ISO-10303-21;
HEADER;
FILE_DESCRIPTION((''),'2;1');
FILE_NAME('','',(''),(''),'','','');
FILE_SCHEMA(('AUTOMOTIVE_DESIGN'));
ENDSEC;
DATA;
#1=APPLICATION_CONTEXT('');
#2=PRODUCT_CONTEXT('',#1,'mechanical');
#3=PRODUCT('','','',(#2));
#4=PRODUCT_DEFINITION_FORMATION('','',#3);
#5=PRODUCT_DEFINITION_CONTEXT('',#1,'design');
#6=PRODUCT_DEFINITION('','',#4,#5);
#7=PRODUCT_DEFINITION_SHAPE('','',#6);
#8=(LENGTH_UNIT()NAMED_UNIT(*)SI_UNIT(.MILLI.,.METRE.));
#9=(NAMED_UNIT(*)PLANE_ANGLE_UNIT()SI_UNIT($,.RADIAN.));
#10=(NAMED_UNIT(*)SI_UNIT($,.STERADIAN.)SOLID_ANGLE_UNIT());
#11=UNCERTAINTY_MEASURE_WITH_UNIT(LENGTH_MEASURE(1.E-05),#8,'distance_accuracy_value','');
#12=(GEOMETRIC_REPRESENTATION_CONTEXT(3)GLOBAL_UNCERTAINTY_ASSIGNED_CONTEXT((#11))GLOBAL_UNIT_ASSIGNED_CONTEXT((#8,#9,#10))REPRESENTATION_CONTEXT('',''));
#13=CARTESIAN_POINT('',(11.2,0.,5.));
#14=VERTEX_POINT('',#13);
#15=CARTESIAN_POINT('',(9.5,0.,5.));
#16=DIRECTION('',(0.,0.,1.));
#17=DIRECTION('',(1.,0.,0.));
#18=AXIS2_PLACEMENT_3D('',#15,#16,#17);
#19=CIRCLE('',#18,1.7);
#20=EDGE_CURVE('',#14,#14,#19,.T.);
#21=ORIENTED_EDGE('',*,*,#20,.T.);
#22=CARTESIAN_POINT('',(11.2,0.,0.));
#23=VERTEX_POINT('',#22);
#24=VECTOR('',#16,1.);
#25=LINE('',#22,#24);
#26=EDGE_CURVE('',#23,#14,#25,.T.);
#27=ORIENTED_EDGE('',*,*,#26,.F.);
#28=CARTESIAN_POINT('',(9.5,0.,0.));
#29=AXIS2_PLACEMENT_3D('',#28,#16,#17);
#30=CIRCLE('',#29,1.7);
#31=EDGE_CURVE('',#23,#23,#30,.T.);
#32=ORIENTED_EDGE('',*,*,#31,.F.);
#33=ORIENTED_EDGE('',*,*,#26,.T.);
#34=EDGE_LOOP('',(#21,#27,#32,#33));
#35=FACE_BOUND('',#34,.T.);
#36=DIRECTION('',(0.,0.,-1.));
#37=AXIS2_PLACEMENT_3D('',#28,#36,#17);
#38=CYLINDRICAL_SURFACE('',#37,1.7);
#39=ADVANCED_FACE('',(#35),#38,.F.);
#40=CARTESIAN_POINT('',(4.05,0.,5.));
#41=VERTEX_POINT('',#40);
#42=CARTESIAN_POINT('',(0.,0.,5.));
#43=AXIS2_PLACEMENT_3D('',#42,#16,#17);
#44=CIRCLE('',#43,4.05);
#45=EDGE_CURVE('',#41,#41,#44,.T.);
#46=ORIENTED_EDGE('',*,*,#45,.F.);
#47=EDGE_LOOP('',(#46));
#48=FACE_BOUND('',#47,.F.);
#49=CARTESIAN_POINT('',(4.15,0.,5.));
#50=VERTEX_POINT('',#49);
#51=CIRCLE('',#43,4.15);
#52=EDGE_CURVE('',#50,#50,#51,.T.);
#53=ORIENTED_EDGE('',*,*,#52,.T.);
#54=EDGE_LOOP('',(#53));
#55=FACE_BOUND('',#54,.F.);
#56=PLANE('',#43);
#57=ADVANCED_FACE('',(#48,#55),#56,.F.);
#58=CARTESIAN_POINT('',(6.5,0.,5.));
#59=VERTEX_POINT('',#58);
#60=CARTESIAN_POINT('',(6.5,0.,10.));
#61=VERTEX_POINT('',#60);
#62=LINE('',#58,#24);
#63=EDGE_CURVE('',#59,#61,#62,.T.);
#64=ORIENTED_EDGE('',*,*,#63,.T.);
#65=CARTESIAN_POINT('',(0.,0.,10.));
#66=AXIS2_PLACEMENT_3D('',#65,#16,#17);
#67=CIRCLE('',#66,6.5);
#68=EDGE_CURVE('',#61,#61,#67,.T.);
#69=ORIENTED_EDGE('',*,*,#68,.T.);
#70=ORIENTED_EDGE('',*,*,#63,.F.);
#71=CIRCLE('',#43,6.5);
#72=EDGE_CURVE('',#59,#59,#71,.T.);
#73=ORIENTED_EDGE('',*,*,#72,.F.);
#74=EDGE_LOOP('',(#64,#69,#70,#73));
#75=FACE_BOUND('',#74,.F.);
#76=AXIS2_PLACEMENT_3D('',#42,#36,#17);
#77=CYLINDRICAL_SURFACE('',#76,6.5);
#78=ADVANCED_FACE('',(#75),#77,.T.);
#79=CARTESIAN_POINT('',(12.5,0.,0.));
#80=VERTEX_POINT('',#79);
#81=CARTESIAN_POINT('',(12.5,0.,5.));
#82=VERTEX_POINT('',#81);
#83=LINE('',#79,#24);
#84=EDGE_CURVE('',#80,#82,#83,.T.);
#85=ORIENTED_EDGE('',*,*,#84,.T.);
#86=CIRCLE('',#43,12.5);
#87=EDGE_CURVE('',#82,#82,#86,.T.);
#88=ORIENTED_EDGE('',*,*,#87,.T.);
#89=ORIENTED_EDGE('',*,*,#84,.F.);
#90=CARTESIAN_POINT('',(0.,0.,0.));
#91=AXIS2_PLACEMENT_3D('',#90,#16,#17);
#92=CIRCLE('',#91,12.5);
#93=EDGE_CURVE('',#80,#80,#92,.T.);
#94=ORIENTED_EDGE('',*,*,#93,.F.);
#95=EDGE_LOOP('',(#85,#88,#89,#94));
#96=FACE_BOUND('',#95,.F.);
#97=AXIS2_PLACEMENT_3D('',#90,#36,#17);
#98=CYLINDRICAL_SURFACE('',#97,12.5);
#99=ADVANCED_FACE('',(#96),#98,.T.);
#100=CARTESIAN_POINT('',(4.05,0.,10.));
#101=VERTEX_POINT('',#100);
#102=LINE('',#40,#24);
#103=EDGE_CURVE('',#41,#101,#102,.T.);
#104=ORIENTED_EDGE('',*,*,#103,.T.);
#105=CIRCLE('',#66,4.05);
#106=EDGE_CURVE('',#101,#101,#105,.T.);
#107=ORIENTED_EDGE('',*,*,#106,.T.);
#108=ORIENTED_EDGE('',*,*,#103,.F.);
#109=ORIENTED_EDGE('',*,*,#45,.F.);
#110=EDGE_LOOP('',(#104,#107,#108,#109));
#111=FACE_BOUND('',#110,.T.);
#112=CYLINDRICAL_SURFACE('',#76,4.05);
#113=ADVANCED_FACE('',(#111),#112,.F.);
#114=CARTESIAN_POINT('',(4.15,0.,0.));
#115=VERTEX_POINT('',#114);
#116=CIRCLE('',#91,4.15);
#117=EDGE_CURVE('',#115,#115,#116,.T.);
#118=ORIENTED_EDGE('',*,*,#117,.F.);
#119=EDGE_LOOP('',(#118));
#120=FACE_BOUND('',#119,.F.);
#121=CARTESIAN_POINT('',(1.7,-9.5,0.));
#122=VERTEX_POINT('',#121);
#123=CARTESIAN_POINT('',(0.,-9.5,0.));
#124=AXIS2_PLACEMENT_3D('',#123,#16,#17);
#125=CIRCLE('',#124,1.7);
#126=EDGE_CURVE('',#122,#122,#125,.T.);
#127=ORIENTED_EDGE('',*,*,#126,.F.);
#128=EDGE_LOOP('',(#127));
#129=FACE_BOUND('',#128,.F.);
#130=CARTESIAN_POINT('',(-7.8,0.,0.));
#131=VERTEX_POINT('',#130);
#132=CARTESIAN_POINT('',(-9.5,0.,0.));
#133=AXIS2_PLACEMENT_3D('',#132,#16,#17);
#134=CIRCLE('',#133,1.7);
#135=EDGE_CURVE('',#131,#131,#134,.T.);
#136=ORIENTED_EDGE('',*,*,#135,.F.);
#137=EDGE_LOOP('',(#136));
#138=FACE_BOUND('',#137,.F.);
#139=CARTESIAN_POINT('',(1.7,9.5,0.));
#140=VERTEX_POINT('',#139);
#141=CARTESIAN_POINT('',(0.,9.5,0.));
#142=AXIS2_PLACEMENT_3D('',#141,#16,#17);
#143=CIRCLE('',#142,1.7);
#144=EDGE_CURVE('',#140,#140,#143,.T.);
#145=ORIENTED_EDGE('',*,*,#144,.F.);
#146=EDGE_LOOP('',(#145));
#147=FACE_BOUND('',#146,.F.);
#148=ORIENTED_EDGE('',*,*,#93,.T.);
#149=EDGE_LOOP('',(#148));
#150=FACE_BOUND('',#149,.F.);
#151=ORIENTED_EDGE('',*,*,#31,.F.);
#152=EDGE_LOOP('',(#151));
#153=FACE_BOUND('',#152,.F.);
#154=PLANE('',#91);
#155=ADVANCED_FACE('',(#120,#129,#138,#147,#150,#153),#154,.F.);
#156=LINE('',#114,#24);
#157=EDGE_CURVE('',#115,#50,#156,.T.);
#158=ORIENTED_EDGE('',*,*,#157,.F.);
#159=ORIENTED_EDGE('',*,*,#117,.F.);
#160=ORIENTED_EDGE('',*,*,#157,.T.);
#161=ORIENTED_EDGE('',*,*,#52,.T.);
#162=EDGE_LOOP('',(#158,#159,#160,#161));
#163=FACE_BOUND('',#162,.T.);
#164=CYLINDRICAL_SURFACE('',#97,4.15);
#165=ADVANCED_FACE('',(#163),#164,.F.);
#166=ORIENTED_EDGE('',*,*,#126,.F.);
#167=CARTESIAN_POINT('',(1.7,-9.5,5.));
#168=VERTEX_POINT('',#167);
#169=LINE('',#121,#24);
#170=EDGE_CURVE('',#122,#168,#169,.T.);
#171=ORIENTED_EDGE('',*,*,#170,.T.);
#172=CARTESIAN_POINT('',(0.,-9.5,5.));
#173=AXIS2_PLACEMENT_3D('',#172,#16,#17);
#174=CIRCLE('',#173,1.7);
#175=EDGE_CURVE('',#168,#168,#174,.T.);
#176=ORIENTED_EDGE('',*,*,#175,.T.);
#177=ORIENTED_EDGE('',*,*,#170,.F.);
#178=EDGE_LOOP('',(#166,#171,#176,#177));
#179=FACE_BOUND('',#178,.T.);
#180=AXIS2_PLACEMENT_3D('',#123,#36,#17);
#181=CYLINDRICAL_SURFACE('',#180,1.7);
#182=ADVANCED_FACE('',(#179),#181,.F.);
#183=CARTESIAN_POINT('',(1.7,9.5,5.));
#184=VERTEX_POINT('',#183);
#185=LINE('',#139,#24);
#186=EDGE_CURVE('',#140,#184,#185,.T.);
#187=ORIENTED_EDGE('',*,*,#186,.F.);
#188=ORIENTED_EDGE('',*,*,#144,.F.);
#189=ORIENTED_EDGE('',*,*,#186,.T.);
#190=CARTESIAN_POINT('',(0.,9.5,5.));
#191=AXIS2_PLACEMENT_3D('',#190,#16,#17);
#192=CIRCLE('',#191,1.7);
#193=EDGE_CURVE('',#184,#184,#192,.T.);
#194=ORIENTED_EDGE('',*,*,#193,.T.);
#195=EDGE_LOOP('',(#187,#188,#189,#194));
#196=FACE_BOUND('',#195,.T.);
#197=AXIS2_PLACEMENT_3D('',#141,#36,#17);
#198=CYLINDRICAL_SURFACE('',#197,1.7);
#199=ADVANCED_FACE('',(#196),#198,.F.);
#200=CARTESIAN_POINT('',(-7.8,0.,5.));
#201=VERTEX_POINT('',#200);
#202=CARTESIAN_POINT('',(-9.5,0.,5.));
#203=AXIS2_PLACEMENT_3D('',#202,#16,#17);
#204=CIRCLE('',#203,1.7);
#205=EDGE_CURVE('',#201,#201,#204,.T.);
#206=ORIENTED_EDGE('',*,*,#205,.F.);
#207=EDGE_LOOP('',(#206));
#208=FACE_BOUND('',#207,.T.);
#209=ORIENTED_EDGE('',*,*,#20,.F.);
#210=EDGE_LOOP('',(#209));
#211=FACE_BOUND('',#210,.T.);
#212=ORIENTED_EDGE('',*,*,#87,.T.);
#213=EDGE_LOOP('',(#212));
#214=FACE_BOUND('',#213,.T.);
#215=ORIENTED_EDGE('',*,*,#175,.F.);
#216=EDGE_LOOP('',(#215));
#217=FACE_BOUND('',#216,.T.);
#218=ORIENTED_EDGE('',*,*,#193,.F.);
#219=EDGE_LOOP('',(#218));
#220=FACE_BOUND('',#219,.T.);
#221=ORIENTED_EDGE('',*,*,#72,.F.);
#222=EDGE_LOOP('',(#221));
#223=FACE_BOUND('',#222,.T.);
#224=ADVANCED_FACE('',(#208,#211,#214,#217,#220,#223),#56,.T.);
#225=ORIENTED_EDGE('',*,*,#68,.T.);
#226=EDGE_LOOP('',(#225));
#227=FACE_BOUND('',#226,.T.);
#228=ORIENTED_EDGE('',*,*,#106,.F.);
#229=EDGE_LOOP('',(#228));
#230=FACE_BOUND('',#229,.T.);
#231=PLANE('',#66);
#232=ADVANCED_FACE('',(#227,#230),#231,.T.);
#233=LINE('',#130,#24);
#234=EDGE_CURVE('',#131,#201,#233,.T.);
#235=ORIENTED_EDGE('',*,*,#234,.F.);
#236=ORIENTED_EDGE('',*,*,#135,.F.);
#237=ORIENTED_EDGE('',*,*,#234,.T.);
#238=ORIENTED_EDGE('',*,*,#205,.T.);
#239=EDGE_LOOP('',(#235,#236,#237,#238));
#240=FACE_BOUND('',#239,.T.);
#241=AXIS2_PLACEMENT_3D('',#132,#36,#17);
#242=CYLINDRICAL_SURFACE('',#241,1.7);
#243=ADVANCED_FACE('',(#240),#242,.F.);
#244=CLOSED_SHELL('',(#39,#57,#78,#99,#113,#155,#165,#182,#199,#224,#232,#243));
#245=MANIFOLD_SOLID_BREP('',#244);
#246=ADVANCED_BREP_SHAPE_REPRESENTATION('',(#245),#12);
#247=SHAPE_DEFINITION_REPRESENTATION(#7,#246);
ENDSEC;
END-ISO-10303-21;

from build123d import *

# Parameters (mm, degrees)
SKETCH_R      = 12.5
SKETCH_R_2    = 1.7
SKETCH_R_3    = 4.15
PAD_DEPTH     = 5
SKETCH001_R   = 6.5
SKETCH001_R_2 = 4.05
PAD001_DEPTH  = 5


with BuildPart() as part:
    # Sketch → Pad (new body)
    with BuildSketch(Plane.XY):
        Circle(SKETCH_R)
        with Locations((0, 9.5)):
            Circle(SKETCH_R_2, mode=Mode.SUBTRACT)
        with Locations((-9.5, 0)):
            Circle(SKETCH_R_2, mode=Mode.SUBTRACT)
        with Locations((0, -9.5)):
            Circle(SKETCH_R_2, mode=Mode.SUBTRACT)
        with Locations((9.5, 0)):
            Circle(SKETCH_R_2, mode=Mode.SUBTRACT)
        Circle(SKETCH_R_3, mode=Mode.SUBTRACT)
    extrude(amount=PAD_DEPTH)

    # Sketch001 → Pad001 (join)
    with BuildSketch(Plane.XY.offset(5)):
        Circle(SKETCH001_R)
        Circle(SKETCH001_R_2, mode=Mode.SUBTRACT)
    extrude(amount=PAD001_DEPTH)


solid = part.part
